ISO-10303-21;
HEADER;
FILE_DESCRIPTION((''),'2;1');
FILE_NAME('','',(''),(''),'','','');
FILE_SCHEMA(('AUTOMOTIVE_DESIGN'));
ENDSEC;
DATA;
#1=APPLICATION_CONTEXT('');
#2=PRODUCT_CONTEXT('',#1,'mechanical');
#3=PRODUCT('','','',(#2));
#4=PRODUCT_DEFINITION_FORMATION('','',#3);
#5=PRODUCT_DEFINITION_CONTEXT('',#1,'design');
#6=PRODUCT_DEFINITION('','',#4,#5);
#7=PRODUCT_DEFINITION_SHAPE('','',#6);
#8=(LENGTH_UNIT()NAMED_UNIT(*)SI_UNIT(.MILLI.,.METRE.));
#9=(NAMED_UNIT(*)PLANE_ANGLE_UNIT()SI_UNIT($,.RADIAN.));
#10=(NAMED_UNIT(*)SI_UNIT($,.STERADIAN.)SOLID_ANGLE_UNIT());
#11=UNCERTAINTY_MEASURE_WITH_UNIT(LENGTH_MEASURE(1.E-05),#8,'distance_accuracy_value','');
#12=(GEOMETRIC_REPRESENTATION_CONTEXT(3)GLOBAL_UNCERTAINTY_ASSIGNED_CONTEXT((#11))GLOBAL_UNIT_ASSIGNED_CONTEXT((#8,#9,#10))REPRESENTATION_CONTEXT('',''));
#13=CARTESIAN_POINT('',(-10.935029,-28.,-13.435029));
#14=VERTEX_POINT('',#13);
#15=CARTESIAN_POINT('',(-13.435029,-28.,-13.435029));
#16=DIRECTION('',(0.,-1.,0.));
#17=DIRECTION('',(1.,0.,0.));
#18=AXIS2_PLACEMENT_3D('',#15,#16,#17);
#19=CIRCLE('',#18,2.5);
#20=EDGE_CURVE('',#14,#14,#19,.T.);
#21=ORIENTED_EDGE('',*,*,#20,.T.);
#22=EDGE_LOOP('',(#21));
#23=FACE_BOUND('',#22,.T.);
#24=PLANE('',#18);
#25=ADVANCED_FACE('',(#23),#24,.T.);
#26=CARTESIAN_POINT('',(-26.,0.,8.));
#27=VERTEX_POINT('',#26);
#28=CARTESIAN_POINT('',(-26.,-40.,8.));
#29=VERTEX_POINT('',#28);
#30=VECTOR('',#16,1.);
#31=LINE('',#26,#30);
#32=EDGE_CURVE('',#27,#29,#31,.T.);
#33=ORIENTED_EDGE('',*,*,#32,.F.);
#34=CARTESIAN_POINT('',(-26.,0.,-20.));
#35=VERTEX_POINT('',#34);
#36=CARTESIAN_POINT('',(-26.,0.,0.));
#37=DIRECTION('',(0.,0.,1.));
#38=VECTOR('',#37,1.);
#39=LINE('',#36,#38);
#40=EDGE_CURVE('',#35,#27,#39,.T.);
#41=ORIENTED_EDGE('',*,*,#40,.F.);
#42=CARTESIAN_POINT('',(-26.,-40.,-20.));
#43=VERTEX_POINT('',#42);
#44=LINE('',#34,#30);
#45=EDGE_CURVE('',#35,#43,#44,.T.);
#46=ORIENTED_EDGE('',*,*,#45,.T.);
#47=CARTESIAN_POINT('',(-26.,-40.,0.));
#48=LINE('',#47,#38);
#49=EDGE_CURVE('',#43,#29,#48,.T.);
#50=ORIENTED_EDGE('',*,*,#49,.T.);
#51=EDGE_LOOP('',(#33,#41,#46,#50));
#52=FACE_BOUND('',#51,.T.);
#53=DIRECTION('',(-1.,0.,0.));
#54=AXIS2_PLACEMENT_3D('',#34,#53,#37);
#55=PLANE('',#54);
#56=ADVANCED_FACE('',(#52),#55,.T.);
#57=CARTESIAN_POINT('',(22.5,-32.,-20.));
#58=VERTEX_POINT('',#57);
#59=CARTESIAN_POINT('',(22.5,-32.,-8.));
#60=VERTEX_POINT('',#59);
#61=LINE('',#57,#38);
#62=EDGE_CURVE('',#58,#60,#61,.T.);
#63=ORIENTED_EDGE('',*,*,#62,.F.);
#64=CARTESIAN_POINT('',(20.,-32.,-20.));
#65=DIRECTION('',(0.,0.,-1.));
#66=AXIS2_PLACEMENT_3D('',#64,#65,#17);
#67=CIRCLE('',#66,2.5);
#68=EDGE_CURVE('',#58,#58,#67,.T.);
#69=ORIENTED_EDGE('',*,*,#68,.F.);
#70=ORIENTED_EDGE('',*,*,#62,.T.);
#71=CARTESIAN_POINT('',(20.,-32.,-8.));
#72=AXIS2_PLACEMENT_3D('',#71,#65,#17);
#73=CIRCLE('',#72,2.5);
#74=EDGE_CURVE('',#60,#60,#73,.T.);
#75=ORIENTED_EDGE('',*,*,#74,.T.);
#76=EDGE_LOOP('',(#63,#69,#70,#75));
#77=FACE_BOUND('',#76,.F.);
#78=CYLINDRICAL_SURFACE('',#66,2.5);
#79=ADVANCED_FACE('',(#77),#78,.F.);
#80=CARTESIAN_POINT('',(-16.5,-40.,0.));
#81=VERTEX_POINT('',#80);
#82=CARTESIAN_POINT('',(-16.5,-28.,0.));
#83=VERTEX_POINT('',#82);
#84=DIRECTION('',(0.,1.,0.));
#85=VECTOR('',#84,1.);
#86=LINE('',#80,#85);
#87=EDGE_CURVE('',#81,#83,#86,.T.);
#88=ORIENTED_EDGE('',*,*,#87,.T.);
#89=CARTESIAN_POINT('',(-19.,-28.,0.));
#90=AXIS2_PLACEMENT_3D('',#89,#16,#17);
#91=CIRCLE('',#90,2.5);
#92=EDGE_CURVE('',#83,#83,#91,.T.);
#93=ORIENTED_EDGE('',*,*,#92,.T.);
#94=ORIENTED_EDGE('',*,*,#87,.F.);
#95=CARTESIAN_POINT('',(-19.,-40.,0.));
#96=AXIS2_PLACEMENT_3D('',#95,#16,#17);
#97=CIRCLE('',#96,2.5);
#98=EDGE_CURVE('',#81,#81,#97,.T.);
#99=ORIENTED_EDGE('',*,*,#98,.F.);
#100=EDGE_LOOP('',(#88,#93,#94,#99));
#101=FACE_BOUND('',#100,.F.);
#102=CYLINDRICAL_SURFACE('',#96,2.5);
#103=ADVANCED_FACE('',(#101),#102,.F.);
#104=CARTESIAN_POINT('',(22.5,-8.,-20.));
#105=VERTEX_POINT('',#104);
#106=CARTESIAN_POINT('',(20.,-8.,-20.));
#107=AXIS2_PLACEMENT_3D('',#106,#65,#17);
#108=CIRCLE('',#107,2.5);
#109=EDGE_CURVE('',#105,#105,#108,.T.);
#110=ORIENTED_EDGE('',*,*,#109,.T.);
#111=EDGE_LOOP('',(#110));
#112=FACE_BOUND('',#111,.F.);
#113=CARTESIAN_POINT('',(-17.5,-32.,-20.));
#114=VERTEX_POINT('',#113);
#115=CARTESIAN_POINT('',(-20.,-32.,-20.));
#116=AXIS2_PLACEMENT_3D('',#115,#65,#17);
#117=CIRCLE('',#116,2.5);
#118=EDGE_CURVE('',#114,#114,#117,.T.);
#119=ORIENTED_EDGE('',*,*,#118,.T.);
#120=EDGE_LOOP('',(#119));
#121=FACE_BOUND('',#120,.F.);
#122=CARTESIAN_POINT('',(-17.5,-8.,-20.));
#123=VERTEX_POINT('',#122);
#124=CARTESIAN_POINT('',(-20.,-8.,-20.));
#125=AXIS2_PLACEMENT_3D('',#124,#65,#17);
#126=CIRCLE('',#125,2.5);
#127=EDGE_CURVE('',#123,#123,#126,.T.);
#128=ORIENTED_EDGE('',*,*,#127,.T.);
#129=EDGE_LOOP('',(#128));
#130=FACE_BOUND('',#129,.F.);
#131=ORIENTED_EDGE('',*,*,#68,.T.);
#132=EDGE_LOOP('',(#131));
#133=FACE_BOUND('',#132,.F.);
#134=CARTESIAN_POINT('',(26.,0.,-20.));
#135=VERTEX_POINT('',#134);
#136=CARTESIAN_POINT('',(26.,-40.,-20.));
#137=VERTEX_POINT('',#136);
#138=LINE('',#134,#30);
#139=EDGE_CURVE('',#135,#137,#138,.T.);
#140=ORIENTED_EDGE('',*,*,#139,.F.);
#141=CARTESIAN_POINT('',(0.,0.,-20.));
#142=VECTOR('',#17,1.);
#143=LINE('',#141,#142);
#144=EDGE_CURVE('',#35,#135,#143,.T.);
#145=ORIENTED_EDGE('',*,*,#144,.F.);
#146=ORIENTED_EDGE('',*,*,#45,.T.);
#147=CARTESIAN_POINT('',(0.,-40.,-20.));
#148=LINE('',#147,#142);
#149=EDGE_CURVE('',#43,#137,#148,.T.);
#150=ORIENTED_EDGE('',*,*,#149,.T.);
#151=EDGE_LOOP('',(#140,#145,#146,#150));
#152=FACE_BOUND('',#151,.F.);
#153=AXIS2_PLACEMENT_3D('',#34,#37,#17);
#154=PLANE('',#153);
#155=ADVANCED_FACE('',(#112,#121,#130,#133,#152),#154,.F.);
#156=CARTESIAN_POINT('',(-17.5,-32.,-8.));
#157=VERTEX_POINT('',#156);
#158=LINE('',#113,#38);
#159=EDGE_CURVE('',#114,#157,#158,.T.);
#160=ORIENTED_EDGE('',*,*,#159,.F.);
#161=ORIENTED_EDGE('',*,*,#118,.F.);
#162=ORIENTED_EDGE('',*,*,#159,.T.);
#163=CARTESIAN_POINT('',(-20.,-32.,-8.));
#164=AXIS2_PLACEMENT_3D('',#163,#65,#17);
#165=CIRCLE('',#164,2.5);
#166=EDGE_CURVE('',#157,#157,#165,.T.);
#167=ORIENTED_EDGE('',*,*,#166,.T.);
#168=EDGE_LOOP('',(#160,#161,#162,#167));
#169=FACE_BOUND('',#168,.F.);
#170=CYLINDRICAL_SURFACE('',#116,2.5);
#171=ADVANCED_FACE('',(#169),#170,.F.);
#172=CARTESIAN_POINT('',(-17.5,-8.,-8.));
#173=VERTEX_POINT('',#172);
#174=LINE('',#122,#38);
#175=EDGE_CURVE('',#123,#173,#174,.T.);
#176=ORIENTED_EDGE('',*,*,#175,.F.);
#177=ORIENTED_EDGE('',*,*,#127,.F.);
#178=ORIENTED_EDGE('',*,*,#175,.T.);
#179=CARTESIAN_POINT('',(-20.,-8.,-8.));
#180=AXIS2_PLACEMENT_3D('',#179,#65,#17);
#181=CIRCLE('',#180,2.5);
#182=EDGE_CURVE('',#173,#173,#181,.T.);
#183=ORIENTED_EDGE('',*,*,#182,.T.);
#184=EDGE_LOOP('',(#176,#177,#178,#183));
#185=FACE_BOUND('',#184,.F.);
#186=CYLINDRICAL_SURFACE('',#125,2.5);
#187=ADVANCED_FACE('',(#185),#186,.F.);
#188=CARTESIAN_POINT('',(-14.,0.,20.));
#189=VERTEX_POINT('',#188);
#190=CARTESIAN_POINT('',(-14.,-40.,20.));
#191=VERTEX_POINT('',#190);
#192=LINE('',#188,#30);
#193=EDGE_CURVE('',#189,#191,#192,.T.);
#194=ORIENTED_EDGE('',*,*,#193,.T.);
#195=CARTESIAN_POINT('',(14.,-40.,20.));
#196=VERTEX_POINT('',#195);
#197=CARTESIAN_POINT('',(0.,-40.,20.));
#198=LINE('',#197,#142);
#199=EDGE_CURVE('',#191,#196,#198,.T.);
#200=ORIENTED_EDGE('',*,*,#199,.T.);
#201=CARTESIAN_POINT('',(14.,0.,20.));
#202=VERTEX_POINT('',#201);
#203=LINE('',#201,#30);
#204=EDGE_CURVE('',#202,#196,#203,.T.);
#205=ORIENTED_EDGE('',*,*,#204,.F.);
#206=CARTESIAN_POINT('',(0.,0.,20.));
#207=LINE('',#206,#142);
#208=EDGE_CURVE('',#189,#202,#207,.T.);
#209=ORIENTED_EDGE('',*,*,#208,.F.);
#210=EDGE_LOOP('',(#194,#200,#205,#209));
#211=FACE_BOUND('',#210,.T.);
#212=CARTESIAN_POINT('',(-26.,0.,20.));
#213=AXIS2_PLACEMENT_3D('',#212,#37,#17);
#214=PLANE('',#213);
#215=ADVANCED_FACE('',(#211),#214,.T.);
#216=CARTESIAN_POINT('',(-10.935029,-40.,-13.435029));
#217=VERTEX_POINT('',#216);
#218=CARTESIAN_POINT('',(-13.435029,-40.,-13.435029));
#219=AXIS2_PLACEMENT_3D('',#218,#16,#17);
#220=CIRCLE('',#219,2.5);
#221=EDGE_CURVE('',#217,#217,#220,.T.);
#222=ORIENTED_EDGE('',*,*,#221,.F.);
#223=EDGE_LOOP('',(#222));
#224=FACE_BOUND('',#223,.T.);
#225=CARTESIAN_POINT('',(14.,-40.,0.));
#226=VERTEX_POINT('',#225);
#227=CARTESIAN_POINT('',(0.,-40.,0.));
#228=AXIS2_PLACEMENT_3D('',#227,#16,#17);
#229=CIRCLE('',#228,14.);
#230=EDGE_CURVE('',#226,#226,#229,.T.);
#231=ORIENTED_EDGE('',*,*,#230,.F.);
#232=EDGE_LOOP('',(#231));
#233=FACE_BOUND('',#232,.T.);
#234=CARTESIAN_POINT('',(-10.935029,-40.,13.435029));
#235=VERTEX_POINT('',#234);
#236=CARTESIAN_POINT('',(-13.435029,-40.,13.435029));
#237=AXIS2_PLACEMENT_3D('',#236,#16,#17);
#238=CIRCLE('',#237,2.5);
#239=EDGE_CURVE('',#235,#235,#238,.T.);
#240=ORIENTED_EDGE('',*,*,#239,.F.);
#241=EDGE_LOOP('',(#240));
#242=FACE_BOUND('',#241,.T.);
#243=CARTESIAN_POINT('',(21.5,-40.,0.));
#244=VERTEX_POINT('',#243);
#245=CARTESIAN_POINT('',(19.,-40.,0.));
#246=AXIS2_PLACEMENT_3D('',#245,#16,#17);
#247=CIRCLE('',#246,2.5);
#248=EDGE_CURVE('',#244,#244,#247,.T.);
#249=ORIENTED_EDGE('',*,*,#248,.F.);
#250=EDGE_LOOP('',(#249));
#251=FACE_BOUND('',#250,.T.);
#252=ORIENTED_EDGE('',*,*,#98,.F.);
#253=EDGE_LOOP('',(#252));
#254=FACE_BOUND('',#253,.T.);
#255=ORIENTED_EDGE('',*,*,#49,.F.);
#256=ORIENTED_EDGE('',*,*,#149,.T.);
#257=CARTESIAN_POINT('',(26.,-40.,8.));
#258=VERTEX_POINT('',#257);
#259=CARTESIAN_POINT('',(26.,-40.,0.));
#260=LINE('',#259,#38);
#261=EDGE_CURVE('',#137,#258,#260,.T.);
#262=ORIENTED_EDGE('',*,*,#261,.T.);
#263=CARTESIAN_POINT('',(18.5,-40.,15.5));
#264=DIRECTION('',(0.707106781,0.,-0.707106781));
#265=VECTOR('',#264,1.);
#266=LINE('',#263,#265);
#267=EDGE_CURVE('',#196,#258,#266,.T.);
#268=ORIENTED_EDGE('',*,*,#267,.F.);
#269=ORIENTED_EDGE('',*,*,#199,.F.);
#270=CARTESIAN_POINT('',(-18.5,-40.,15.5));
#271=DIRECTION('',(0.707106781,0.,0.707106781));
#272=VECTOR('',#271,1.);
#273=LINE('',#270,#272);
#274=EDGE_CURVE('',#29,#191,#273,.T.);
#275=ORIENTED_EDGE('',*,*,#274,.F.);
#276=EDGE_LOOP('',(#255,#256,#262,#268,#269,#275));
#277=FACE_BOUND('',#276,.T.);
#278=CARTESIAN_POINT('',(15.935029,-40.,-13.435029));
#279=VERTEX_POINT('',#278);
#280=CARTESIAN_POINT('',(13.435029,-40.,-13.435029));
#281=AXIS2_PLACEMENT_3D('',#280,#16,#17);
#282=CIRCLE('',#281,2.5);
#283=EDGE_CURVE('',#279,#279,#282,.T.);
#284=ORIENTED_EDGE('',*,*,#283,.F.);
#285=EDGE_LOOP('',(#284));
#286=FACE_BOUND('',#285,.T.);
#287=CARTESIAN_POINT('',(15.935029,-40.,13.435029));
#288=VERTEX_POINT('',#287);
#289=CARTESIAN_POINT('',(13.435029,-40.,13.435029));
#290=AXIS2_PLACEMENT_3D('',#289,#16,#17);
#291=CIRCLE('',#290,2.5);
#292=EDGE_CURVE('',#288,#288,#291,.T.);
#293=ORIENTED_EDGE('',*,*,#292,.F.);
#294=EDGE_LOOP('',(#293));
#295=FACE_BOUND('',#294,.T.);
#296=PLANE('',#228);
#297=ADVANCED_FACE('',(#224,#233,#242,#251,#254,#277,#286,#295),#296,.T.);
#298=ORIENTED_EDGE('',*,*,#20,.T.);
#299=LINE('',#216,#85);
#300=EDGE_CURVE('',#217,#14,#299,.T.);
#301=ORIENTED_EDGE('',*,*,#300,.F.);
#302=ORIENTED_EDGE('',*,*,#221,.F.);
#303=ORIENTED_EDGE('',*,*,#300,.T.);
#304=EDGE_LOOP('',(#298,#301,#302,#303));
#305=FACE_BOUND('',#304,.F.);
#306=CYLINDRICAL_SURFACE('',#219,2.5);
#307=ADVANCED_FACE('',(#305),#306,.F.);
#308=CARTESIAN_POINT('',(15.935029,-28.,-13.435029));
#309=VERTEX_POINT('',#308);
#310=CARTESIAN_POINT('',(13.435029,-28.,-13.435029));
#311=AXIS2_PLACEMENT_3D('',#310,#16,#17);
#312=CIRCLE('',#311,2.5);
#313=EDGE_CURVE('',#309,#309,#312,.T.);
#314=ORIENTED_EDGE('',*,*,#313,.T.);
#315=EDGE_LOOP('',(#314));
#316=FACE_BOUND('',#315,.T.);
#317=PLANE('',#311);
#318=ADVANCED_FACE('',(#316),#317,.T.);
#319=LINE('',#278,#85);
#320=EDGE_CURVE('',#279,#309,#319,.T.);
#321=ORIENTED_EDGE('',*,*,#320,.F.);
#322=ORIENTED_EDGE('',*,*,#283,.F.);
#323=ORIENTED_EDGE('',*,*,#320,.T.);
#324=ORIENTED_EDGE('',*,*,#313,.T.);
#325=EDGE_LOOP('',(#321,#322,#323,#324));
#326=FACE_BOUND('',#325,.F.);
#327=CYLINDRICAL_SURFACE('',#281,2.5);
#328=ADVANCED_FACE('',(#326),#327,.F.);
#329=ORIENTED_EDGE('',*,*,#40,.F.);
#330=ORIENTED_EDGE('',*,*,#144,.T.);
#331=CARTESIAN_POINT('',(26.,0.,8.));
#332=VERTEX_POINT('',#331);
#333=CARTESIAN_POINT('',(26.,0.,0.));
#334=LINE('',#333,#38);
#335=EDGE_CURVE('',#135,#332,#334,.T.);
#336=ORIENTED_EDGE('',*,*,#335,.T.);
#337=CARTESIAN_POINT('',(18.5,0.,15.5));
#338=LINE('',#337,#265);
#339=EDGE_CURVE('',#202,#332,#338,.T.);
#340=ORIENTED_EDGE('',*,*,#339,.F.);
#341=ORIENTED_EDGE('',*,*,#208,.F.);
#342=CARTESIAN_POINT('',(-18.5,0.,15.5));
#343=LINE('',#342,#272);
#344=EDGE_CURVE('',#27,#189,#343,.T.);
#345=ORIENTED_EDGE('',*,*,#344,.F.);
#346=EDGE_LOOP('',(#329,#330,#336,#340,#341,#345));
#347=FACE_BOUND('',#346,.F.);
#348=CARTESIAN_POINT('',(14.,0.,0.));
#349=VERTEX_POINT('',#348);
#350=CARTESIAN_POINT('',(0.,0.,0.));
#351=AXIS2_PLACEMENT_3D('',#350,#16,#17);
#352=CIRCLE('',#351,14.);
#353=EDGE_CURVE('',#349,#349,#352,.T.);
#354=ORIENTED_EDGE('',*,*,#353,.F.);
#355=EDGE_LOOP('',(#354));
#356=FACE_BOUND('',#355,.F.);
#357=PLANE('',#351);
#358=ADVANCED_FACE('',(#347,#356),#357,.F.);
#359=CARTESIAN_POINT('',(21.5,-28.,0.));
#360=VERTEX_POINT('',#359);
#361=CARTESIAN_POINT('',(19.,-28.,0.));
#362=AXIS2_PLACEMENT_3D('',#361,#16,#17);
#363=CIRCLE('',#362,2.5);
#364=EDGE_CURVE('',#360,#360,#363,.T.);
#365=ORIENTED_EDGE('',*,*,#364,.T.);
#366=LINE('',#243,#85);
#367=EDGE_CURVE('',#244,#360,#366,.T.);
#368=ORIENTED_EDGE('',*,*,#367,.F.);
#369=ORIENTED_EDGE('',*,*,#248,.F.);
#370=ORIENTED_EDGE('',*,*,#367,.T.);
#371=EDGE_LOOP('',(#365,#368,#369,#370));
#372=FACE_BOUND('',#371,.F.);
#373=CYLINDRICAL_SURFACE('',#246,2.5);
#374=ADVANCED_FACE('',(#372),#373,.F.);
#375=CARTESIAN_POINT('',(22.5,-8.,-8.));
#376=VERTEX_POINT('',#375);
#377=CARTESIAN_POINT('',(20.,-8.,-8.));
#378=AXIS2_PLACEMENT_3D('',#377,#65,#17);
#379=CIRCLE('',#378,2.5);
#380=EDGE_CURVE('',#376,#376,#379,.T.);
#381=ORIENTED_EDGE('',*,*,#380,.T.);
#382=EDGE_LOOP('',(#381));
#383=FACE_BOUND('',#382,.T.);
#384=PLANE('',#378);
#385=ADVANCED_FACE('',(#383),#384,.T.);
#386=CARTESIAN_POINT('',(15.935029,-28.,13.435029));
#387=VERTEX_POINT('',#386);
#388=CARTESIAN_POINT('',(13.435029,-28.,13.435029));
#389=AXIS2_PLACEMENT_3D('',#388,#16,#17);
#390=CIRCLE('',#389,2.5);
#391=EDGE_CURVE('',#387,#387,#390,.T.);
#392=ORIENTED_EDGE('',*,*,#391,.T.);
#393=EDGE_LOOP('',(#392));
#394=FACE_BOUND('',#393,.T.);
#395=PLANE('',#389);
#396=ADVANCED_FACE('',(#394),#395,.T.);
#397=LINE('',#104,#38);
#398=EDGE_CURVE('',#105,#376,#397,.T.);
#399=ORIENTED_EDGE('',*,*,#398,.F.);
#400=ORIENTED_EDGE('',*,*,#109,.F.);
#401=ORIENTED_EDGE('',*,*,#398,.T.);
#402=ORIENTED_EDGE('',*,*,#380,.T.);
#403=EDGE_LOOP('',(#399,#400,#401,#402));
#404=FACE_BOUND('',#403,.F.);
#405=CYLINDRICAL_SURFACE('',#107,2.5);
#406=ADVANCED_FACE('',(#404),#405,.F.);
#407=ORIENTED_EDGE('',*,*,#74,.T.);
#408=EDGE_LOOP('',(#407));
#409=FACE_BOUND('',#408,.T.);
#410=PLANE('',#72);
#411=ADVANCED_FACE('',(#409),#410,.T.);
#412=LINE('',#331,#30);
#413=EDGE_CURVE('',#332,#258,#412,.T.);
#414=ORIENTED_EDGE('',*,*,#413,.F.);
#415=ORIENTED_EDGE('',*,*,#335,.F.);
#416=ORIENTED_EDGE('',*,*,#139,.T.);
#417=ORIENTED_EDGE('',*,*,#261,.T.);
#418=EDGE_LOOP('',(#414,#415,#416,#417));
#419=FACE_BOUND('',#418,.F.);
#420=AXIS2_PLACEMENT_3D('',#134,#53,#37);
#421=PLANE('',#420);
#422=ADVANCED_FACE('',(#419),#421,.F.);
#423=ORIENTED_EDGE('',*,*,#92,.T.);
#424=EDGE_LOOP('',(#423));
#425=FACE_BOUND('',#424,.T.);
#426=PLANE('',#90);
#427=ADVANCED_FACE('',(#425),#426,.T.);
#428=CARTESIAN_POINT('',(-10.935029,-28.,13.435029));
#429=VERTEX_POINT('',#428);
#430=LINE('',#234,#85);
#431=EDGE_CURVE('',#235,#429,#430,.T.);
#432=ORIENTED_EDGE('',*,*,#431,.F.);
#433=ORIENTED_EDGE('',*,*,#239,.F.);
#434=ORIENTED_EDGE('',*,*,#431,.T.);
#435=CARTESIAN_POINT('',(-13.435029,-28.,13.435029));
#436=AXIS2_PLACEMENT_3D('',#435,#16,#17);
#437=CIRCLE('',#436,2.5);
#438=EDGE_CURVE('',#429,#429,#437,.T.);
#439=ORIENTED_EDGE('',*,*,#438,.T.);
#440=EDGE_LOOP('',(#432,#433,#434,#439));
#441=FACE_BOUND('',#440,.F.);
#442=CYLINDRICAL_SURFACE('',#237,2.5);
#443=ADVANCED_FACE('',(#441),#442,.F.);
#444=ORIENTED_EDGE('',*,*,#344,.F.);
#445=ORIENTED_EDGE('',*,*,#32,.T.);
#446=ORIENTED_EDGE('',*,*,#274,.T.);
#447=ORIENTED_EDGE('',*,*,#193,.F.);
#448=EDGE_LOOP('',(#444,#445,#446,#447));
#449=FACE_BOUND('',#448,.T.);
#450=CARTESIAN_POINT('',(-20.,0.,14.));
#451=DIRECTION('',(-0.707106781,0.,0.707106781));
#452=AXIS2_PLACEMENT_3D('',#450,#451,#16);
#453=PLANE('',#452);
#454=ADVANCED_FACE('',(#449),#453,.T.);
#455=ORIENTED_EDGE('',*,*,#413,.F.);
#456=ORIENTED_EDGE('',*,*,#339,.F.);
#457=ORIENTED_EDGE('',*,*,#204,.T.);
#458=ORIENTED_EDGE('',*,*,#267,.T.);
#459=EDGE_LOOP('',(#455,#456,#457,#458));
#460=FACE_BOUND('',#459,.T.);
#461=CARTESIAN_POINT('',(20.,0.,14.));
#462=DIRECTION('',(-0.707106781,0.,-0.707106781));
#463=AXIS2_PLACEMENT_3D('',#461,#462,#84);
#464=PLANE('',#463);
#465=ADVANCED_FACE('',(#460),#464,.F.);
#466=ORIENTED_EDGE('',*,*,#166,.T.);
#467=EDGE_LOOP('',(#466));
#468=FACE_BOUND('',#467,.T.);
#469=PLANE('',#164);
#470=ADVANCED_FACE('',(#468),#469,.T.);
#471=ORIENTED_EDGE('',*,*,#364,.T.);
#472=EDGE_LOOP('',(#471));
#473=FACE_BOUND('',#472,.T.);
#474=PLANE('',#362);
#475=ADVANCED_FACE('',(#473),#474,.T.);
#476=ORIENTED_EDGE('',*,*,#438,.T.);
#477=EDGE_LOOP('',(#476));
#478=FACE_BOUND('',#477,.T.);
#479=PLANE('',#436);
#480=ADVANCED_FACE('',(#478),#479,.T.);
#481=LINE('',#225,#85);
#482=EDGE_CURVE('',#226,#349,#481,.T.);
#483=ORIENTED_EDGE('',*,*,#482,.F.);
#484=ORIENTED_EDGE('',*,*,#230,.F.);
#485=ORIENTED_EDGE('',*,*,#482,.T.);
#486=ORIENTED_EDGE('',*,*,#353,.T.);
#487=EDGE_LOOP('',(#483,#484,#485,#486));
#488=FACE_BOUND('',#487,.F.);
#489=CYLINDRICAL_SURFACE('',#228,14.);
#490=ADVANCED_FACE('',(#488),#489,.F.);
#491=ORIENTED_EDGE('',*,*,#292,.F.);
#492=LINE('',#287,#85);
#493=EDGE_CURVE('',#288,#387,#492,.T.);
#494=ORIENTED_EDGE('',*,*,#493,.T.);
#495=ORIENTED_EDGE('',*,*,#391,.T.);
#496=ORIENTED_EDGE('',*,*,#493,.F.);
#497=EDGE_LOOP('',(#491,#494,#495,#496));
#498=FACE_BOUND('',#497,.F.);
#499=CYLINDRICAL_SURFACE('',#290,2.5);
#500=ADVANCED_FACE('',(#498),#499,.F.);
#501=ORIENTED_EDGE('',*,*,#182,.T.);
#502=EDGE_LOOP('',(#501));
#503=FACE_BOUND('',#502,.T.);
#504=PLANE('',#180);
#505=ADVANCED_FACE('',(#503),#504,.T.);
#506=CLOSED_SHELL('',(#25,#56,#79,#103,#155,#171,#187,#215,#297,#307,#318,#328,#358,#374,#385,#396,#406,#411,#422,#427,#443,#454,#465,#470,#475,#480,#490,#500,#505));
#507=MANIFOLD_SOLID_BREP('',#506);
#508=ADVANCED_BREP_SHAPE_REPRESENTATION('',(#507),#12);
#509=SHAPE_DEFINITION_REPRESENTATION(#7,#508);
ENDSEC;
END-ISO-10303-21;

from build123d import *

# Parameters (mm, degrees)
F0_W     = 52
F0_H     = 40
F1_DEPTH = 40
F2_R     = 14
F3_DEPTH = 40.001
F4_SIZE  = 12
F6_R     = 2.5
F7_DEPTH = 12
F8_R     = 2.5
F9_DEPTH = 12


with BuildPart() as f1:
    # F0 (on Front) → F1 (new body)
    with BuildSketch(Plane.XZ):
        Rectangle(F0_W, F0_H)
    extrude(amount=F1_DEPTH)

    # F2 (on face) → F3 (cut, through all)
    with BuildSketch(Plane.XZ.offset(40)):
        Circle(F2_R)
    extrude(amount=-F3_DEPTH, mode=Mode.SUBTRACT)

    # F4
    f4_edges = [f1.edges().sort_by_distance(p)[0] for p in [
        (-26, -20, 20),
        (26, -20, 20),
    ]]
    chamfer(f4_edges, length=F4_SIZE)

    # F6 (on face) → F7 (cut)
    with BuildSketch(Plane.XZ.offset(40)):
        with Locations((-19, 0)):
            Circle(F6_R)
        with Locations((-13.435029, -13.435029)):
            Circle(F6_R)
        with Locations((13.435029, -13.435029)):
            Circle(F6_R)
        with Locations((19, 0)):
            Circle(F6_R)
        with Locations((13.435029, 13.435029)):
            Circle(F6_R)
        with Locations((-13.435029, 13.435029)):
            Circle(F6_R)
    extrude(amount=-F7_DEPTH, mode=Mode.SUBTRACT)

    # F8 (on face) → F9 (cut)
    with BuildSketch(Plane(origin=(0, 0, -20), x_dir=(1, 0, 0), z_dir=(0, 0, -1))):
        with Locations((-20, 32)):
            Circle(F8_R)
        with Locations((20, 32)):
            Circle(F8_R)
        with Locations((20, 8)):
            Circle(F8_R)
        with Locations((-20, 8)):
            Circle(F8_R)
    extrude(amount=-F9_DEPTH, mode=Mode.SUBTRACT)


solid = f1.part
